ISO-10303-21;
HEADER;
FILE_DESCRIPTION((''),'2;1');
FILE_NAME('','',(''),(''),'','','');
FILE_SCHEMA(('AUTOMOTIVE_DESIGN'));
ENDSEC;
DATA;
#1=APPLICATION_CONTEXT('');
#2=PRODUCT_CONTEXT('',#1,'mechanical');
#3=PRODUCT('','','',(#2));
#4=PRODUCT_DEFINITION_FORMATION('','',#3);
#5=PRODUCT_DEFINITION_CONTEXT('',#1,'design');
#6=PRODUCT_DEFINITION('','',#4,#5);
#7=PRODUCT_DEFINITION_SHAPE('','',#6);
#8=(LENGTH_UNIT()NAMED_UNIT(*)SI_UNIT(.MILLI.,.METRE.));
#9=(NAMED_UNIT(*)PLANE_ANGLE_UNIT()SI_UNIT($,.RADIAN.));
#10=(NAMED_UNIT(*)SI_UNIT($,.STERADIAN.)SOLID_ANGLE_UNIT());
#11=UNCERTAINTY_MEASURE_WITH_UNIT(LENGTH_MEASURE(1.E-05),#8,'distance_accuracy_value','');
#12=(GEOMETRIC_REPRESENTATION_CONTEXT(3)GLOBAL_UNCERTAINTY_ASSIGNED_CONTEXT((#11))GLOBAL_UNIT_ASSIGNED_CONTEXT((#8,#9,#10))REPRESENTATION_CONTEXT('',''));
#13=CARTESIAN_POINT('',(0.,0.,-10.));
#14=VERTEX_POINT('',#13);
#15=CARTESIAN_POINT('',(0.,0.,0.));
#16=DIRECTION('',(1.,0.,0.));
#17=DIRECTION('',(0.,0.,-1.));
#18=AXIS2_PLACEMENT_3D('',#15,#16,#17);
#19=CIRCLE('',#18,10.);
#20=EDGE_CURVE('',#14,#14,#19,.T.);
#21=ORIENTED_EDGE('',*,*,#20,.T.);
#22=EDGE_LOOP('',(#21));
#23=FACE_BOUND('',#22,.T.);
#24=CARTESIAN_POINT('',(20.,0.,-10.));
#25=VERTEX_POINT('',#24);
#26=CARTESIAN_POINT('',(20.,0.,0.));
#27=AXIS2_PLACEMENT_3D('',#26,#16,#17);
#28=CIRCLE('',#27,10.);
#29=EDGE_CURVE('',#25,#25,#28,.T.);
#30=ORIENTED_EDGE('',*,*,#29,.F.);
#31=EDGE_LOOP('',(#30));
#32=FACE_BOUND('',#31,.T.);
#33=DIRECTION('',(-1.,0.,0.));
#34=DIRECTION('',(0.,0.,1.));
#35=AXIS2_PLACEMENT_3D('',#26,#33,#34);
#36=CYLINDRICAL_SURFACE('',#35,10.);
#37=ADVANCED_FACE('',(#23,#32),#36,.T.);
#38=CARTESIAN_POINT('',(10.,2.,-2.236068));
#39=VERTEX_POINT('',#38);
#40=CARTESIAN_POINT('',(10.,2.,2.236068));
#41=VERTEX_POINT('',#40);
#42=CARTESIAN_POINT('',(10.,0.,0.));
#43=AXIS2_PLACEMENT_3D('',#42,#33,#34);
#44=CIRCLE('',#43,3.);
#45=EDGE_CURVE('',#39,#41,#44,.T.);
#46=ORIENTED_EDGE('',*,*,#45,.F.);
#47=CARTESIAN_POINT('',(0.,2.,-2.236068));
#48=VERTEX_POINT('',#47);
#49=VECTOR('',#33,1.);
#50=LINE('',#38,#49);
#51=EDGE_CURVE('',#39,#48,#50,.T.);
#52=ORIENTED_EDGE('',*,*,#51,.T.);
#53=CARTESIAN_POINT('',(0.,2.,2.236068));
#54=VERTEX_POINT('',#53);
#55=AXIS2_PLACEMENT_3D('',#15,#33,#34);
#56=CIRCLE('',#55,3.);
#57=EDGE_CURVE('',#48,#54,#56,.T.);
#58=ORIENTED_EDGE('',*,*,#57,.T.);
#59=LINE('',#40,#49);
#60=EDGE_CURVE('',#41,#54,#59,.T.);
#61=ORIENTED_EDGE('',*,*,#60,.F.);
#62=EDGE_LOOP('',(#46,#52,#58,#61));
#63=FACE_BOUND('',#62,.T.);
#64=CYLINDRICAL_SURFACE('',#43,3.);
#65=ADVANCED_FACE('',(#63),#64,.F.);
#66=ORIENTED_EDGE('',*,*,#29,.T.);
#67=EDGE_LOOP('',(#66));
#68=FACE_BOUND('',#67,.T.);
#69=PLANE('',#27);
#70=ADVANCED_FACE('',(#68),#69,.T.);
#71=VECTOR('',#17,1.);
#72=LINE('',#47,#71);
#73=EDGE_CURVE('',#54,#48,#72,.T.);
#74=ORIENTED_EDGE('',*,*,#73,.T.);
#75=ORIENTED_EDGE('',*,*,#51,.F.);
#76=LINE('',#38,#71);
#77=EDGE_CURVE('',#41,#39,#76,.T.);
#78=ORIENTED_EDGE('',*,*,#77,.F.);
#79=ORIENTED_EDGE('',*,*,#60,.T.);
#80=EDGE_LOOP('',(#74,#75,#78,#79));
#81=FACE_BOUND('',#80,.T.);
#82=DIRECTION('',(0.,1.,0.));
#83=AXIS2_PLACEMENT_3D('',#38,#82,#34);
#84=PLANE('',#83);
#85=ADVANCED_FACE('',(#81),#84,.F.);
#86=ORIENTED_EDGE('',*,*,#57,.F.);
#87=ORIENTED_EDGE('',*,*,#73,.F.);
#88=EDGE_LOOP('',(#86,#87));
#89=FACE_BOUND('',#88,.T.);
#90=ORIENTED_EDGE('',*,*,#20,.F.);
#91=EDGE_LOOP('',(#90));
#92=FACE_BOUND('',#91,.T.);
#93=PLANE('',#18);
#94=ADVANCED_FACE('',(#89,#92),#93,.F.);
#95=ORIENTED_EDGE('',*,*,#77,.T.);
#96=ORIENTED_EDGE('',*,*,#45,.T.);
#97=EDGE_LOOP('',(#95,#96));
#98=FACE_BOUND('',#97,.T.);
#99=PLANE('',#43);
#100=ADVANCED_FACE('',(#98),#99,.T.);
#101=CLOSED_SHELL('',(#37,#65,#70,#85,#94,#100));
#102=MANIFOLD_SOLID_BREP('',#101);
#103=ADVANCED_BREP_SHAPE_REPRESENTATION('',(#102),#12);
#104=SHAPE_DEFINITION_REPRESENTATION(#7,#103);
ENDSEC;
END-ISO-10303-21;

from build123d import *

# Parameters (mm, degrees)
SKETCH1_R           = 10
BOSS_EXTRUDE1_DEPTH = 20
CUT_EXTRUDE1_DEPTH  = 10


with BuildPart() as part:
    # Sketch1 → Boss-Extrude1 (new body)
    with BuildSketch(Plane(origin=(0, 0, 0), x_dir=(0, 0, -1), z_dir=(1, 0, 0))):
        Circle(SKETCH1_R)
    extrude(amount=BOSS_EXTRUDE1_DEPTH)

    # Sketch2 → Cut-Extrude1 (cut)
    with BuildSketch(Plane.ZY):
        with BuildLine():
            Line((-2.236067977, 2), (2.236067977, 2))
            ThreePointArc((2.236067977, 2), (0, -3), (-2.236067977, 2))
        make_face()
    extrude(amount=-CUT_EXTRUDE1_DEPTH, mode=Mode.SUBTRACT)


solid = part.part
